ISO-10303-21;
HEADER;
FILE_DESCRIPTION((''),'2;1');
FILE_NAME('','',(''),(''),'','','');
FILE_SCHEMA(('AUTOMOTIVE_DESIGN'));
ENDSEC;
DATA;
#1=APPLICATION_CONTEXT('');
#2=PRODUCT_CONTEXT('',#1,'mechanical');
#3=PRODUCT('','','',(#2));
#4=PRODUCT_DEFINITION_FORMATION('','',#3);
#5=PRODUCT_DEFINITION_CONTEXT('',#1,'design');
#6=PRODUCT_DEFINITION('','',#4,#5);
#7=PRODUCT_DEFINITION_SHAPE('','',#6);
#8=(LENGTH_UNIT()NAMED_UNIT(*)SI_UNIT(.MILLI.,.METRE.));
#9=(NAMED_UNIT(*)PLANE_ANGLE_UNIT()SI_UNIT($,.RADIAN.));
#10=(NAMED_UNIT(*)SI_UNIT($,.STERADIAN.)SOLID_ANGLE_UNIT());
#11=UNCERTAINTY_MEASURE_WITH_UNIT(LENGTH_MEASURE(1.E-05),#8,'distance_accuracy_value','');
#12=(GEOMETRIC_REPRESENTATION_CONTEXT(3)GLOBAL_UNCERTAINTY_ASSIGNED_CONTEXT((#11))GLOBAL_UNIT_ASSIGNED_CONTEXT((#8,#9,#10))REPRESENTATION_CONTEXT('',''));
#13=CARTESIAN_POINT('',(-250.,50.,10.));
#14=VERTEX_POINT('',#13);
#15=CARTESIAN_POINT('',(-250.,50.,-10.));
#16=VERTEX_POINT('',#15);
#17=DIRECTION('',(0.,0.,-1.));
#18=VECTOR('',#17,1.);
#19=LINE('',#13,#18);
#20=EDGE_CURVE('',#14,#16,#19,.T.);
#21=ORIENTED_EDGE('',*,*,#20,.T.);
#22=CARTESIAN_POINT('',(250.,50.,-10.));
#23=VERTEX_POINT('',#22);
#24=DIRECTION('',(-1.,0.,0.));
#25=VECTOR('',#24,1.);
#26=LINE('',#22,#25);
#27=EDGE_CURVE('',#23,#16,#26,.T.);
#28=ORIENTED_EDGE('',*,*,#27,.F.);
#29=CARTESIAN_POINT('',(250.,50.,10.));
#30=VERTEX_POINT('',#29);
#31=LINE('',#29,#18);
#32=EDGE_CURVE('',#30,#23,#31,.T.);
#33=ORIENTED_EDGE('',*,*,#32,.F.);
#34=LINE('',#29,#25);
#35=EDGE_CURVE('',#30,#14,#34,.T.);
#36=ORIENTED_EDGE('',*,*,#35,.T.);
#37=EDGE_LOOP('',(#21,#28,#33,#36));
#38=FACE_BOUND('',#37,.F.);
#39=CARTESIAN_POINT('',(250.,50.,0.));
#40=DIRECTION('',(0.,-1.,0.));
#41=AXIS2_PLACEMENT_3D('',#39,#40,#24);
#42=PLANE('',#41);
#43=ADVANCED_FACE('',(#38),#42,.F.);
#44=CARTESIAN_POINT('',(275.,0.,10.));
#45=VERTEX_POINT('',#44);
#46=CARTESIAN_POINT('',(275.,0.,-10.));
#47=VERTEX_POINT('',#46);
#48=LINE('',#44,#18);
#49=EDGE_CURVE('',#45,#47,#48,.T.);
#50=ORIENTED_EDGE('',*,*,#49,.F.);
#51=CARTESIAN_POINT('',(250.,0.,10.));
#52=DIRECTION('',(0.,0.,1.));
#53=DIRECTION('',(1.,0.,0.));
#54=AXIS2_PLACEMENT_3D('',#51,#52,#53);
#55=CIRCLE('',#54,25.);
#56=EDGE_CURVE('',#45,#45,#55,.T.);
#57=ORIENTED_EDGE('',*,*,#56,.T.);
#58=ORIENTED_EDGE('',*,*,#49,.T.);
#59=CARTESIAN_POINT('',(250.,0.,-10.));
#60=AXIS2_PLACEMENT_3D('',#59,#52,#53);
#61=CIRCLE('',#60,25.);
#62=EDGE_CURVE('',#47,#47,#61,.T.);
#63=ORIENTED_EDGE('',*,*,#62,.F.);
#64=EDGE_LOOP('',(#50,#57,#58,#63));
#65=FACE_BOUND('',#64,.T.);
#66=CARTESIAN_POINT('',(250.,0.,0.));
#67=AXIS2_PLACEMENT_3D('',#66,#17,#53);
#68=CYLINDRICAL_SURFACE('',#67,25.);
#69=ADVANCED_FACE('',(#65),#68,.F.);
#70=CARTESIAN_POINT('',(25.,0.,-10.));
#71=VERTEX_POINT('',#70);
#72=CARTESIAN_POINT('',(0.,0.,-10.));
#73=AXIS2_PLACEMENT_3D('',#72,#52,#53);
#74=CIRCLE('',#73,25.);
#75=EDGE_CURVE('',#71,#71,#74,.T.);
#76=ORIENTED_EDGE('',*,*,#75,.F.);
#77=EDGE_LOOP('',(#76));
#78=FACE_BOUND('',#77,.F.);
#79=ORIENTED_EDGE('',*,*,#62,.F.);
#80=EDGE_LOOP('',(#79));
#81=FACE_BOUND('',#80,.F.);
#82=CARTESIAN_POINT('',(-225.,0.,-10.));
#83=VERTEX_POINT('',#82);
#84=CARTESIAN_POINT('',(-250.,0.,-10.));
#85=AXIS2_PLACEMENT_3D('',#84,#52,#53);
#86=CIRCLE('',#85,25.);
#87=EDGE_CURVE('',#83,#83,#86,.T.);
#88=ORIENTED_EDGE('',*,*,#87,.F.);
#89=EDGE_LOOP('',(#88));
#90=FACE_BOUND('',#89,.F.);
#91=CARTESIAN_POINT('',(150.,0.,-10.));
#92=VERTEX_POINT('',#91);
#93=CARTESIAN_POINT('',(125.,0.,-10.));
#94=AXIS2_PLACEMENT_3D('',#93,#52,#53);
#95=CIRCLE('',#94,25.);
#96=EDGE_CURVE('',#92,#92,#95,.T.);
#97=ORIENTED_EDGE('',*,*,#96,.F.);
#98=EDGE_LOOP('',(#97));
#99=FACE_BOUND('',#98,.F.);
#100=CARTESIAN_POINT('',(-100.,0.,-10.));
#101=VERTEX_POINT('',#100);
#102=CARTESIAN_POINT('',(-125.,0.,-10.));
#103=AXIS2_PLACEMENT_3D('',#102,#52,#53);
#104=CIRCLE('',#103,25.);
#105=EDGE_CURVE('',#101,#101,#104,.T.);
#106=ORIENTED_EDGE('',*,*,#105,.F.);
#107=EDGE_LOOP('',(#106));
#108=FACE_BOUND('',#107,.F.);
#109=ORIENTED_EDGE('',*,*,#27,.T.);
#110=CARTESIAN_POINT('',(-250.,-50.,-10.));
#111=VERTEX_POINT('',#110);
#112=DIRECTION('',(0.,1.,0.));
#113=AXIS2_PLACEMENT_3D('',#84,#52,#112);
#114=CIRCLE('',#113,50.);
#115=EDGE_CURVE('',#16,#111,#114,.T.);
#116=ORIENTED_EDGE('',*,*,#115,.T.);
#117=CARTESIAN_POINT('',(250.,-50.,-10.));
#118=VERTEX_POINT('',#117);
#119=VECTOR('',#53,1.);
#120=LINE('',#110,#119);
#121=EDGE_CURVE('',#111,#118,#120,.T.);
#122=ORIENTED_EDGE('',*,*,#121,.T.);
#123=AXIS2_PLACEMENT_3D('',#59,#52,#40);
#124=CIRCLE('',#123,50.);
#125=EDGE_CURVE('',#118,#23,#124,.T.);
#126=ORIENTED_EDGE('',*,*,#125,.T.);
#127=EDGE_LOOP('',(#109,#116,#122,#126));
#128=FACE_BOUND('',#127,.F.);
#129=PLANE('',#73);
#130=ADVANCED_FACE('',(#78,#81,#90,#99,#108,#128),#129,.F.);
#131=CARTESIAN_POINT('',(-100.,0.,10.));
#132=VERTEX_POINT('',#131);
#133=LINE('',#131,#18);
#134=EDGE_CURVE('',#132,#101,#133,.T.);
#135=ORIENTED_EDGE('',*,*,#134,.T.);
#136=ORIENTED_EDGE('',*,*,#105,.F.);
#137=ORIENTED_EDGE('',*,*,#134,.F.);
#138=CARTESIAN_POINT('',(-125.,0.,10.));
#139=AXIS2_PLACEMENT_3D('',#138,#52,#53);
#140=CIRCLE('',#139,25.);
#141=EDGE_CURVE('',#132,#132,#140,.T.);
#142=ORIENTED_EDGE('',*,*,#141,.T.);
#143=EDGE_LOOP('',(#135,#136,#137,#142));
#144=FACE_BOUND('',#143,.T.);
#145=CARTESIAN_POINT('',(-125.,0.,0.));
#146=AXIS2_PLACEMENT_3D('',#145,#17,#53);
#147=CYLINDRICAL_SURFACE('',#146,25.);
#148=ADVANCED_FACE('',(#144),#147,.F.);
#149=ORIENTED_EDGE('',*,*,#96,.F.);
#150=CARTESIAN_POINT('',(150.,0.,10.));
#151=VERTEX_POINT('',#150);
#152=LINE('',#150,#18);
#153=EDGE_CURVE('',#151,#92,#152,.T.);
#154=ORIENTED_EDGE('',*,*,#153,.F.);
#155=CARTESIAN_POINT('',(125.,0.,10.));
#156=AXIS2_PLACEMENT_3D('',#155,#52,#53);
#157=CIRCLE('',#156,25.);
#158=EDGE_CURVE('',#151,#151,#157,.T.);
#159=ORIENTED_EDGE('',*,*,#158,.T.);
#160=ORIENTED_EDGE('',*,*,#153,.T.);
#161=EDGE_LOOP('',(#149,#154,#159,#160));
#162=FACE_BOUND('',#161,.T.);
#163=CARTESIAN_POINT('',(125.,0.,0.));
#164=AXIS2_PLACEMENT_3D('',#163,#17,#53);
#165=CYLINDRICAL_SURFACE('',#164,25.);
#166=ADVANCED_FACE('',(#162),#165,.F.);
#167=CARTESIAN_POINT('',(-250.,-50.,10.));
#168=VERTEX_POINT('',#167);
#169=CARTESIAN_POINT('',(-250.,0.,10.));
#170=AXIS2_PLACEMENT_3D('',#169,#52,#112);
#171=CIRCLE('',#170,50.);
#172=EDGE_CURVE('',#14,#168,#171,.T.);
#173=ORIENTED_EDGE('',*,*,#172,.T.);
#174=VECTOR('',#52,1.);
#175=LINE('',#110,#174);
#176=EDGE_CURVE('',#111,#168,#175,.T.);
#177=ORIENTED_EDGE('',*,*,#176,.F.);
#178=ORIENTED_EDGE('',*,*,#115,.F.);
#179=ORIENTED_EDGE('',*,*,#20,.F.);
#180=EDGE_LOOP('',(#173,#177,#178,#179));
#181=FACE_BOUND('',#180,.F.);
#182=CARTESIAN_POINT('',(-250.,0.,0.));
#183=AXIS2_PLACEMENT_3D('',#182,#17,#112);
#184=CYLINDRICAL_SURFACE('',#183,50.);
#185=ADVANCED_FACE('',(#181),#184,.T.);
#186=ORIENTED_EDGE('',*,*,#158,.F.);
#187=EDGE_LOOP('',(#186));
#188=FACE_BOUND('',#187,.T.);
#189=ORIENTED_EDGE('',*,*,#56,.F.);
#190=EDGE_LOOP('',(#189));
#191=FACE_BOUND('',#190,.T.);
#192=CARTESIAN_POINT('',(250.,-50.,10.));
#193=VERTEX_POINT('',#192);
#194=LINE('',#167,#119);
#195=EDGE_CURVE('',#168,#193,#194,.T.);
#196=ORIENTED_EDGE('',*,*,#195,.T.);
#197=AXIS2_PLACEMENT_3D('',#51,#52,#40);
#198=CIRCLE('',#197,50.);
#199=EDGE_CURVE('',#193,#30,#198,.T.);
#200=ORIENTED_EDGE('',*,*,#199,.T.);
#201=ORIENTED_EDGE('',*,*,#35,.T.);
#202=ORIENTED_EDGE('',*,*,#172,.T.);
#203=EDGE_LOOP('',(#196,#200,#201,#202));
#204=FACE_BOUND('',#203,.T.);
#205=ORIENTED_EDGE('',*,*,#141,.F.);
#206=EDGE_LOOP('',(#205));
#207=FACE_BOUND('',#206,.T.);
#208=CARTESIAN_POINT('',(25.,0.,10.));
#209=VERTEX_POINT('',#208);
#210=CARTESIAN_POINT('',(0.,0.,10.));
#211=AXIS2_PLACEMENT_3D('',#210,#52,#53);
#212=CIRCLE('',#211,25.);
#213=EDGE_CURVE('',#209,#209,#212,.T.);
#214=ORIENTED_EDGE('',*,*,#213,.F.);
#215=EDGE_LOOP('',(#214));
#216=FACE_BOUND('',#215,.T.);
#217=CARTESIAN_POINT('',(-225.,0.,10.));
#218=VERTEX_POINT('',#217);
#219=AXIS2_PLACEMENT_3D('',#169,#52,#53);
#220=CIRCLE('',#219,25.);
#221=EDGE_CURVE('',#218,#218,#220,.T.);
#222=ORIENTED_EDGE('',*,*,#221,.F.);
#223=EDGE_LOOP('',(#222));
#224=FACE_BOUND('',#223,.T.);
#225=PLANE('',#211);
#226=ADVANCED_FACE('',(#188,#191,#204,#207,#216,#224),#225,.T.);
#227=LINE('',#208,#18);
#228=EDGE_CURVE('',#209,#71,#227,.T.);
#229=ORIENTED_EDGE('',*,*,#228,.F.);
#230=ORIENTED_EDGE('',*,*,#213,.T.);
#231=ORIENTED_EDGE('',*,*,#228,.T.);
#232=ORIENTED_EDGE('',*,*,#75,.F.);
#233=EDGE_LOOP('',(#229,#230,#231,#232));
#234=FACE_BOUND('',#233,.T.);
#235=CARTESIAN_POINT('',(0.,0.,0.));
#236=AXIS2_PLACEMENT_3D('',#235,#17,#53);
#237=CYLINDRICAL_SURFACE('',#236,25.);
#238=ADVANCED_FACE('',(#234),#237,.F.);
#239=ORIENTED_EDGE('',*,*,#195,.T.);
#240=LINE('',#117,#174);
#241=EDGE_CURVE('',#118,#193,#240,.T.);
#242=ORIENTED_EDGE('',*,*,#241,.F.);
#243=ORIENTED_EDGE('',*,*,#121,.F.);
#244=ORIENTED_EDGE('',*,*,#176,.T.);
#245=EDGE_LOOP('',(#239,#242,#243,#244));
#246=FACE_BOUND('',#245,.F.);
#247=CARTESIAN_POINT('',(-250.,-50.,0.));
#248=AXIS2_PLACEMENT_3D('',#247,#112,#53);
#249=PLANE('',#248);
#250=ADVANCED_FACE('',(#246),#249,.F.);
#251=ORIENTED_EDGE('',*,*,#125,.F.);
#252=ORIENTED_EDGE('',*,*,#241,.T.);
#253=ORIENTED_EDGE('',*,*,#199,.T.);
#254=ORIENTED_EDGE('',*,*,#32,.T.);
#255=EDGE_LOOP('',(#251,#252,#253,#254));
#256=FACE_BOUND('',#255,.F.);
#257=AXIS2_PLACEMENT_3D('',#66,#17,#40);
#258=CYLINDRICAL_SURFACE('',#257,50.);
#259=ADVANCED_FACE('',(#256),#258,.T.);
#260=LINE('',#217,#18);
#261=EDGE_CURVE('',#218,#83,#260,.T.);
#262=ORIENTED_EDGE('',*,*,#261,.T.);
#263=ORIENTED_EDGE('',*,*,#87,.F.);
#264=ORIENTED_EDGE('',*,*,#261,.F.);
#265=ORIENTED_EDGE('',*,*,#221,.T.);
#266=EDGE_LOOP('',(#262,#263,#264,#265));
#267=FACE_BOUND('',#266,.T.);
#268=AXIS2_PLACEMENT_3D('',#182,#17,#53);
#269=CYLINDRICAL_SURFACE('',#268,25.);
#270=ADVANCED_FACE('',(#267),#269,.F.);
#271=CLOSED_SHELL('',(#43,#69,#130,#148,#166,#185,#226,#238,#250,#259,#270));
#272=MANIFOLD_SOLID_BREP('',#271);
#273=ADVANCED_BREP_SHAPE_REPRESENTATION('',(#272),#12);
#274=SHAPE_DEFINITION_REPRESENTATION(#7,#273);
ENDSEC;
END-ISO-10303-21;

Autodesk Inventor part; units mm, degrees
ref_plane "YZ Plane" through (0, 0, 0) normal (1, 0, 0) x (0, 1, 0)
ref_plane "XZ Plane" through (0, 0, 0) normal (0, 1, 0) x (-1, 0, 0)
ref_plane "XY Plane" through (0, 0, 0) normal (0, 0, 1) x (1, 0, 0)
sketch "Sketch1" plane through (0, 0, 0) normal (0, 0, 1) x (1, 0, 0)
  line L0 (-250, 0) -> (250, 0) construction
  line L1 (-250, -50) -> (250, -50)
  line L2 (250, 50) -> (-250, 50)
  arc A0 (-250, 50) -> (-250, -50) centre (-250, 0) ccw
  arc A1 (250, -50) -> (250, 50) centre (250, 0) ccw
  circle A2 centre (-250, 0) radius 25
  circle A3 centre (0, 0) radius 25
  circle A4 centre (250, 0) radius 25
  circle A5 centre (-125, 0) radius 25
  circle A6 centre (125, 0) radius 25
  dimension "d0" = 500
  dimension "d1" = 50
  dimension "d2" = 50
  dimension "d3" = 125
  dimension "d4" = 125
extrude "Extrusion1" add sketch "Sketch1" along normal mid plane 20
properties part number "CE-10.2.1" material "Aluminum 6061"
